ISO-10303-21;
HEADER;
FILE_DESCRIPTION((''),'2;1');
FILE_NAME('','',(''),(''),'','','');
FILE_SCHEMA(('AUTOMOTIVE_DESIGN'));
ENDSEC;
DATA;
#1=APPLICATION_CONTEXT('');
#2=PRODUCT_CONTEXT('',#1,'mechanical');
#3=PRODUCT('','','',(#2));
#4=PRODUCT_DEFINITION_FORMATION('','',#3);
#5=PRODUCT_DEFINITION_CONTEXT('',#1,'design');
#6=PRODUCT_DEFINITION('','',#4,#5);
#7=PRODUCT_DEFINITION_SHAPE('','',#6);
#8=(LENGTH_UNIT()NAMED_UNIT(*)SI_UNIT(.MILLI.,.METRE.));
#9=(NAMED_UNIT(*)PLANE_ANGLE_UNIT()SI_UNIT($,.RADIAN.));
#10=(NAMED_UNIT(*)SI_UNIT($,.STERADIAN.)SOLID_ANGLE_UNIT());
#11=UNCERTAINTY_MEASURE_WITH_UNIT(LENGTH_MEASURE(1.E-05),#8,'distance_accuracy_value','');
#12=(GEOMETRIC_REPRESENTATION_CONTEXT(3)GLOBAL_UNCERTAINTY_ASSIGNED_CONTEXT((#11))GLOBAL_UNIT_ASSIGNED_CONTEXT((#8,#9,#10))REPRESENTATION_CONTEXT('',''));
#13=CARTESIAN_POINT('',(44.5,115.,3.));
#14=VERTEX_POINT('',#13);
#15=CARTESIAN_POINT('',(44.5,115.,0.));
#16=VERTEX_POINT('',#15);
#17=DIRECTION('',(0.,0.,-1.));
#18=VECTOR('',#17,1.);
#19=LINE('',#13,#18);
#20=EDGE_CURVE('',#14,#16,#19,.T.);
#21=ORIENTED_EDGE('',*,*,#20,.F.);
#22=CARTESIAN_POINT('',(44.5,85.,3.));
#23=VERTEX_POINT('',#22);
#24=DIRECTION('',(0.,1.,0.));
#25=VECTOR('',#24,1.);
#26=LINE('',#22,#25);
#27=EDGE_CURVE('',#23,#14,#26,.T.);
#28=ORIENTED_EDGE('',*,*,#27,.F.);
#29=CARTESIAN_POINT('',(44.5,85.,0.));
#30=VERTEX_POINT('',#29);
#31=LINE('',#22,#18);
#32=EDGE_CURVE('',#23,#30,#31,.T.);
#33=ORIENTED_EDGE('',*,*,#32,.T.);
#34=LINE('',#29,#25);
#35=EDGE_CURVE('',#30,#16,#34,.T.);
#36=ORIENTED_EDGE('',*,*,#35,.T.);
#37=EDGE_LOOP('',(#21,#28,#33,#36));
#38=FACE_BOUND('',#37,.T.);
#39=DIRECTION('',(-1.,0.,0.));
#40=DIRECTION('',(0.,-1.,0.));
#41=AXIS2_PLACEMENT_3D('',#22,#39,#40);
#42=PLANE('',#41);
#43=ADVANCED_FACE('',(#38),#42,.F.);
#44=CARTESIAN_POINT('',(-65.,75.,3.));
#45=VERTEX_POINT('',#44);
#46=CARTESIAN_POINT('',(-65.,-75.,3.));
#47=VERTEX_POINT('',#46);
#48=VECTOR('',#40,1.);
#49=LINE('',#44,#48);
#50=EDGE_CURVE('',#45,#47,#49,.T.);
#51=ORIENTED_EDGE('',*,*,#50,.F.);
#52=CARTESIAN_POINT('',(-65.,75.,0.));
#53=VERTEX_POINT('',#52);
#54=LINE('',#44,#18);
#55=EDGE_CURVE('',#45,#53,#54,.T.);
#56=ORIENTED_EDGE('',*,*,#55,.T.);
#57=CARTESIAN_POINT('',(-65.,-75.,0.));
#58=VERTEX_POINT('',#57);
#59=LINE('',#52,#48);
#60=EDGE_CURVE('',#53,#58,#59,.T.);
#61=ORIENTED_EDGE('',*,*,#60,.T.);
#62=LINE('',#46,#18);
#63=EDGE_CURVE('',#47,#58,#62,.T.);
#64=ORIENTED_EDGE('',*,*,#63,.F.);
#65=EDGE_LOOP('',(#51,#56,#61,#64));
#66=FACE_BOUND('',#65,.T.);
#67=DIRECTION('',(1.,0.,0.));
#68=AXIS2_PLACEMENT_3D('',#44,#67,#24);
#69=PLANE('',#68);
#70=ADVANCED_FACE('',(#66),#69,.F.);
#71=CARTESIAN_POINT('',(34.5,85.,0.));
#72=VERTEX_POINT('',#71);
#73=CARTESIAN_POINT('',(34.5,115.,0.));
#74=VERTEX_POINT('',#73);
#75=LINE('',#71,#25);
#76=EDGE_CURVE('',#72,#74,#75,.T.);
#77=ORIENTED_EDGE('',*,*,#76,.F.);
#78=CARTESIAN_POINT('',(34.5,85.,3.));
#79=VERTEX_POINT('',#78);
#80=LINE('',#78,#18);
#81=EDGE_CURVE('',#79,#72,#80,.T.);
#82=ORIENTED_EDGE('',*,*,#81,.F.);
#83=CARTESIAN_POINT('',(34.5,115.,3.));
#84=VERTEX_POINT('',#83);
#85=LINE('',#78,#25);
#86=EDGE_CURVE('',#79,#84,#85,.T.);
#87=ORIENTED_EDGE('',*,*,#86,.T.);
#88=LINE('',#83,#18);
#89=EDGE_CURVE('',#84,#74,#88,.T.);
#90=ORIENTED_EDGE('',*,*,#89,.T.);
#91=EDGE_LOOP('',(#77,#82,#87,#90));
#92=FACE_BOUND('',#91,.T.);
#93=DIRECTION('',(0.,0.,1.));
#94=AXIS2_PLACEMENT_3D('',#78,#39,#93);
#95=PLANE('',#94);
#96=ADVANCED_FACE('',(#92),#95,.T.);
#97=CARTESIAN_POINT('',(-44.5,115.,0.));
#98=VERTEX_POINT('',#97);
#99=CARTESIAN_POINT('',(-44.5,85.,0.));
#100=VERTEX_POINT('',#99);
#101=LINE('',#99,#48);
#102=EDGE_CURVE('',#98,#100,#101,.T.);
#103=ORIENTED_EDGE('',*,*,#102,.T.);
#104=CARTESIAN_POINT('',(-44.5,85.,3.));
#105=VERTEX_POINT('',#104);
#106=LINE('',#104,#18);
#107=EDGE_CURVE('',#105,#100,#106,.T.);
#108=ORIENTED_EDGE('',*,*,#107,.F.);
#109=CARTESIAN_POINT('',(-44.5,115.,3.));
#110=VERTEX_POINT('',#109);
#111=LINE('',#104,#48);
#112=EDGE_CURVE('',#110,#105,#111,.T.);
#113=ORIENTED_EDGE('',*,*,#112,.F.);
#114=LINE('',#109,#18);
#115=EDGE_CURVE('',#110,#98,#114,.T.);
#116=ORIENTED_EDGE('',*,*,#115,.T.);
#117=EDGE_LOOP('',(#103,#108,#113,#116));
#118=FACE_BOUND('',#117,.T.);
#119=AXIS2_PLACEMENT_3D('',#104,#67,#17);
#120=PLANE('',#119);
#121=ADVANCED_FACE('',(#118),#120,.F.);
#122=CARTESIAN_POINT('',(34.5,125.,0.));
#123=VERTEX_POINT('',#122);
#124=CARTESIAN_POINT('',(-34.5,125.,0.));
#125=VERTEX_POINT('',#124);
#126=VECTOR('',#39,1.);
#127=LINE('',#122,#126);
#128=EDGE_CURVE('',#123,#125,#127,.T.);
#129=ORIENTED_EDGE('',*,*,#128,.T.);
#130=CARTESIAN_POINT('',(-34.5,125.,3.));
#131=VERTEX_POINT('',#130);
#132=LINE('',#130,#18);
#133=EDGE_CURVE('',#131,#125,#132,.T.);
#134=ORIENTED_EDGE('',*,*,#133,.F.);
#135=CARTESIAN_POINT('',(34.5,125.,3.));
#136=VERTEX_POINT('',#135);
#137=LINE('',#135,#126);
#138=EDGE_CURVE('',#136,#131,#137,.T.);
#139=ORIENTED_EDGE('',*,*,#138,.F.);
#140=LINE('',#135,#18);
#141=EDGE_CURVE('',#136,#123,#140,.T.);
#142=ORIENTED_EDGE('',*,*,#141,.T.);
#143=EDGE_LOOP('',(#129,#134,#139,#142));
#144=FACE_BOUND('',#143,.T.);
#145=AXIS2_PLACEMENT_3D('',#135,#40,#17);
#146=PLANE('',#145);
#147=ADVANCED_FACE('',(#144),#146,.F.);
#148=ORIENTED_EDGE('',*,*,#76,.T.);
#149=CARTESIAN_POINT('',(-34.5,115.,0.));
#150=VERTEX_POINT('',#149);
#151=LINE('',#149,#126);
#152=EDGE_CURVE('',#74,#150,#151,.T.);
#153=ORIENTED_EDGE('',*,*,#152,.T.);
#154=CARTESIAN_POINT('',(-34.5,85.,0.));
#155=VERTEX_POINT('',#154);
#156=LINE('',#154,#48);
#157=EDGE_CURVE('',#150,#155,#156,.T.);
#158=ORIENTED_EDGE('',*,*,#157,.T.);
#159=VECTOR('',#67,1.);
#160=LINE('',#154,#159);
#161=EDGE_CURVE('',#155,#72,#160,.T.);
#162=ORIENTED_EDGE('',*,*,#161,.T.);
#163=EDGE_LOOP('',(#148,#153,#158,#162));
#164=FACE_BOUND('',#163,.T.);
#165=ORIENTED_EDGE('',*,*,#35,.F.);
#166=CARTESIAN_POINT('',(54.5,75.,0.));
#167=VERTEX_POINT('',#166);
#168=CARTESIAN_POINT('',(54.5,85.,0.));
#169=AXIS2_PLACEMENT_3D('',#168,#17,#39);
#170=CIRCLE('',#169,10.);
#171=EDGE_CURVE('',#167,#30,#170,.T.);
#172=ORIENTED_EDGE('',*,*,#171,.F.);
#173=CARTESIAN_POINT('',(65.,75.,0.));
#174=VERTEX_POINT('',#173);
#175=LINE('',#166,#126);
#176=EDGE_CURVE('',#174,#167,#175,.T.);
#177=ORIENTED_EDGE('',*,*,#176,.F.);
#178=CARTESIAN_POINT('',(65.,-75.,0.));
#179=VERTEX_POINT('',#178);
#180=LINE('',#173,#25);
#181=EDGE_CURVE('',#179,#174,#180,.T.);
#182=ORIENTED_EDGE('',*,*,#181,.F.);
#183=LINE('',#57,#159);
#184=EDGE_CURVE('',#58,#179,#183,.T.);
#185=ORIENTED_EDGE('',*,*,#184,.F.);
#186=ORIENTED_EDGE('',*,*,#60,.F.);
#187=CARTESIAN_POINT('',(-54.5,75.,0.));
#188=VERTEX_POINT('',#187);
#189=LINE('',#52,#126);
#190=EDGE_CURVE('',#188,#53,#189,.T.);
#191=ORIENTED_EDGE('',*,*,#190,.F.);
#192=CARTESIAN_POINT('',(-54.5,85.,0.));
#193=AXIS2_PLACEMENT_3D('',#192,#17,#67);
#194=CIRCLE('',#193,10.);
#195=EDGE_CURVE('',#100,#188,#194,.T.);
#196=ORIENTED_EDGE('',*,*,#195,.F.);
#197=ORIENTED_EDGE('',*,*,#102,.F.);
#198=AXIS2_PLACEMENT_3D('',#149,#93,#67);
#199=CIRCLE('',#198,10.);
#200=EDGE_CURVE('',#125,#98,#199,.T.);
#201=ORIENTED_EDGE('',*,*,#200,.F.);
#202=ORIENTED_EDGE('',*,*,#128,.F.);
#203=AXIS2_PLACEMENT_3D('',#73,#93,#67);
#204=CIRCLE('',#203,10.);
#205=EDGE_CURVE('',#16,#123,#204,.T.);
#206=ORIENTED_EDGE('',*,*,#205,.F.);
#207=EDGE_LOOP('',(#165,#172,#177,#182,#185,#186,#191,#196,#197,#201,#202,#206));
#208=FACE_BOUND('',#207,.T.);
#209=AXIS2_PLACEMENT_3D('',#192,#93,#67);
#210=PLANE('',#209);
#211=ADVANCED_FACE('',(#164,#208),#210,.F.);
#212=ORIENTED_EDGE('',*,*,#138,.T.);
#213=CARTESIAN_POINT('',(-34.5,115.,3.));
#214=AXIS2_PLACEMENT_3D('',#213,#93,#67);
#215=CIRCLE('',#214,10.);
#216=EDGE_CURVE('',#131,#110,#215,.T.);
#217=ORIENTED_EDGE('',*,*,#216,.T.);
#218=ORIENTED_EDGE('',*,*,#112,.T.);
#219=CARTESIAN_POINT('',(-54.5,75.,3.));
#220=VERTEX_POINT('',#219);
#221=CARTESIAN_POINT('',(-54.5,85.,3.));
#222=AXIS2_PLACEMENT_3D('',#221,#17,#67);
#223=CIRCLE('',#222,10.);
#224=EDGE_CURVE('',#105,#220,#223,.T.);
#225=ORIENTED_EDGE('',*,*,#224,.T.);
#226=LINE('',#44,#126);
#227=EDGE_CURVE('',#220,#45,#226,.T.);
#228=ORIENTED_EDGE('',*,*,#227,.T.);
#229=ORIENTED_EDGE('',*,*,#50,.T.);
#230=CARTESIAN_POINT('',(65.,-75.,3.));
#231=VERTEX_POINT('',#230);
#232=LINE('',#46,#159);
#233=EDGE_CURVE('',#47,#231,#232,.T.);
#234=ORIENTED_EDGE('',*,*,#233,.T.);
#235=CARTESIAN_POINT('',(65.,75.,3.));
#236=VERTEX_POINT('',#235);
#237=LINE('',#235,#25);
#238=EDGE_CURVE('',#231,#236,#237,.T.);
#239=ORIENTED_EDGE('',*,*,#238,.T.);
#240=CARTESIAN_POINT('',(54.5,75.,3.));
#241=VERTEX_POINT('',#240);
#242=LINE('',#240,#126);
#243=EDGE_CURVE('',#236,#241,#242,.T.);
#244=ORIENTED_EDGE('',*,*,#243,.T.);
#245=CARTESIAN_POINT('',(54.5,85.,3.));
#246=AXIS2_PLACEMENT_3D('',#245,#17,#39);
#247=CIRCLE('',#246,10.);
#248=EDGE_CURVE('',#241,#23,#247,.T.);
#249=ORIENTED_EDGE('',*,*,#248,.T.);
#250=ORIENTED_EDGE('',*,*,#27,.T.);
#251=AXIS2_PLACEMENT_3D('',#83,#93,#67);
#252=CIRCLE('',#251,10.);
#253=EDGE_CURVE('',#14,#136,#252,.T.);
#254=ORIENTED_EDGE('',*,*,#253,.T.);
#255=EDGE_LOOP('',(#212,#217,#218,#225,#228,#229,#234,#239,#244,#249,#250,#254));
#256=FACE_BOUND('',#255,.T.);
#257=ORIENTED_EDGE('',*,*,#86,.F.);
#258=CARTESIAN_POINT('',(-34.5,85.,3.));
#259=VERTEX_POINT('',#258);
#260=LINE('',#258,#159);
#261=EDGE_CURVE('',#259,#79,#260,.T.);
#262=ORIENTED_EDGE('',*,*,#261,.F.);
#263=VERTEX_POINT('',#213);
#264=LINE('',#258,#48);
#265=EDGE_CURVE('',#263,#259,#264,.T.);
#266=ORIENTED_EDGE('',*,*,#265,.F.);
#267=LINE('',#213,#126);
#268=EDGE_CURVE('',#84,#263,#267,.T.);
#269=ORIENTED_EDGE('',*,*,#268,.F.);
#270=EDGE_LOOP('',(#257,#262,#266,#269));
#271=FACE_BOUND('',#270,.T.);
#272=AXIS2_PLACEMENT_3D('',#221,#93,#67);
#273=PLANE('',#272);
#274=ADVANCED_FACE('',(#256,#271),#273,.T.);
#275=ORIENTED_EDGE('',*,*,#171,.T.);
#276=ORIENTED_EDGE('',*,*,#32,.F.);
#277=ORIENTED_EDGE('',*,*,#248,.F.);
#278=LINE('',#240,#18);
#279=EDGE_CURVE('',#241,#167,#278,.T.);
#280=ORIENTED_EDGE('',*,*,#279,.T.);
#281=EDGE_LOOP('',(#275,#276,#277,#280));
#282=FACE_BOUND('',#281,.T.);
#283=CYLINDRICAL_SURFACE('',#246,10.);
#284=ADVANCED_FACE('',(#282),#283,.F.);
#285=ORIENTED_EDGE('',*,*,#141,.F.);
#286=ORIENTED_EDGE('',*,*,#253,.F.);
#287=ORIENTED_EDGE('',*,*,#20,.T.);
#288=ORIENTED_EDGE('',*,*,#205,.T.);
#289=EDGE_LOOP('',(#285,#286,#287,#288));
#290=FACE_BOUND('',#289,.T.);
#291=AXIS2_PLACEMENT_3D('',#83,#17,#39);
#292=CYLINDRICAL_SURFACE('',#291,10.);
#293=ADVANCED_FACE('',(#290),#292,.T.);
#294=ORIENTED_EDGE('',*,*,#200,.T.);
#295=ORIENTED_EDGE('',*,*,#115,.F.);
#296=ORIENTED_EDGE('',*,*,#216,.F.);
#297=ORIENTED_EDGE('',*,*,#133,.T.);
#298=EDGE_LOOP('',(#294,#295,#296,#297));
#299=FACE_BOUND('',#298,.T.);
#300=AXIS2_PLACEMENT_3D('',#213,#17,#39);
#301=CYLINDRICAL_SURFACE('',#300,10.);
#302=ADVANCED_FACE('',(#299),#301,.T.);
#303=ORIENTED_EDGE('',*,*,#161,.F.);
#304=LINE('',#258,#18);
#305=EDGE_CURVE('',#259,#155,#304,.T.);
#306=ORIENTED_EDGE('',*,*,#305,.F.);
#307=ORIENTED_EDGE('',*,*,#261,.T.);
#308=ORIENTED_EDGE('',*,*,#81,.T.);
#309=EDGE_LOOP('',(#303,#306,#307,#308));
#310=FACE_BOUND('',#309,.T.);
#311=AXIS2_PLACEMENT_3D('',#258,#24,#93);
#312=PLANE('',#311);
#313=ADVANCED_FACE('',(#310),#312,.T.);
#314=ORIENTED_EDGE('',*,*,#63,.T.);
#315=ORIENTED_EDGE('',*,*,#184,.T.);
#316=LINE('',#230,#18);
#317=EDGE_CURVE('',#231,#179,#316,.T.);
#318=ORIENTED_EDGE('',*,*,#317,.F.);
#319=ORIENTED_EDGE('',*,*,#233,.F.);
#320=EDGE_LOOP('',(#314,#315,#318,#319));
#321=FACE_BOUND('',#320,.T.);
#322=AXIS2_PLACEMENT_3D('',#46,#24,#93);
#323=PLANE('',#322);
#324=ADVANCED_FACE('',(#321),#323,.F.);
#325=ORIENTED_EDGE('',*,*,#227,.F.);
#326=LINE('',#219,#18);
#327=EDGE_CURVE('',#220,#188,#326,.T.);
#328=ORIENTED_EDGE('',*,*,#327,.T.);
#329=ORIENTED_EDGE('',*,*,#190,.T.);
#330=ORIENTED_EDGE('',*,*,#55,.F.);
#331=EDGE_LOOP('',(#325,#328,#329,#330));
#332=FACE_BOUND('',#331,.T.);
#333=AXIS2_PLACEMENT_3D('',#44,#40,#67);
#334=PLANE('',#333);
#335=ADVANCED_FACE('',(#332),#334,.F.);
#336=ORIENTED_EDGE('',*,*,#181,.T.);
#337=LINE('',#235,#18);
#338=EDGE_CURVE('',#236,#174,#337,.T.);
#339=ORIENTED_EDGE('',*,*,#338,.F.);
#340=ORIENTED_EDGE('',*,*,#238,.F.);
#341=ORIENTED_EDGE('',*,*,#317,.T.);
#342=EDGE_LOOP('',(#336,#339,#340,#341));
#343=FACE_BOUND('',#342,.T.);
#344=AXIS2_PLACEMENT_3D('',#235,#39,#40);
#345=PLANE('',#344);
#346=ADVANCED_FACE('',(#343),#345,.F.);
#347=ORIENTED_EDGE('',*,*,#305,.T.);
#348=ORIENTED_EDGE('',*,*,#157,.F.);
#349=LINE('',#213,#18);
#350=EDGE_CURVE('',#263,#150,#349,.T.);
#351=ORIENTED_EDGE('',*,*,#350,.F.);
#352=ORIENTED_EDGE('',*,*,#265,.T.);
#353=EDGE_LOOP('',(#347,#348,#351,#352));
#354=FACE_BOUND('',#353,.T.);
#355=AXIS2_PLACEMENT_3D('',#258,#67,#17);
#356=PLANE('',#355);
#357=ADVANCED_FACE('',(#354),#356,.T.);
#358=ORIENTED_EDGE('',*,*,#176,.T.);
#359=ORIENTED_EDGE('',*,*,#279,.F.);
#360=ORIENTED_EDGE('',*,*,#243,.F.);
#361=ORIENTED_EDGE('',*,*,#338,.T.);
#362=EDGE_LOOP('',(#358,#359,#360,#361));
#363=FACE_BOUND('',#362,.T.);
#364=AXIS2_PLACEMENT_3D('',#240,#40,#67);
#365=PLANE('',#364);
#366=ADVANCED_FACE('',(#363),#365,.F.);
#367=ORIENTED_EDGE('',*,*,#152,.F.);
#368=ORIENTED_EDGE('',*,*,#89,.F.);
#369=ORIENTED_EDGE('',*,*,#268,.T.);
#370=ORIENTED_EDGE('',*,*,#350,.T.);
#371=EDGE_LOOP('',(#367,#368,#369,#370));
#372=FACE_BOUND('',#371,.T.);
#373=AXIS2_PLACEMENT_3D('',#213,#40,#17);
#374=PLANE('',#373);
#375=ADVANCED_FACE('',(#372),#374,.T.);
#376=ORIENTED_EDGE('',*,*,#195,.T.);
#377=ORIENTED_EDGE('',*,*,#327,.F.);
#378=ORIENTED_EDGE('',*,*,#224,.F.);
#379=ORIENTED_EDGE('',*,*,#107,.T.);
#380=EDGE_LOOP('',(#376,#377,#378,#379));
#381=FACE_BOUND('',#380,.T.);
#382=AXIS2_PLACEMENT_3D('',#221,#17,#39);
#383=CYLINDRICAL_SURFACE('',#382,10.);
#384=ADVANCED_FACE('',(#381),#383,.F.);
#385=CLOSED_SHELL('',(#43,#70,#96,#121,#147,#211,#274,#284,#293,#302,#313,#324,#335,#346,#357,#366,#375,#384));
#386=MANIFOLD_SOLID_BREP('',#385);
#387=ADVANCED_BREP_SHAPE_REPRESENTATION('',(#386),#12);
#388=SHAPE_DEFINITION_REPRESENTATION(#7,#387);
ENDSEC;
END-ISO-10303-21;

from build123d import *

# Parameters (mm, degrees)
SKETCH1_W           = 69
SKETCH1_H           = 30
BOSS_EXTRUDE1_DEPTH = 3


with BuildPart() as part:
    # Sketch1 → Boss-Extrude1 (new body)
    with BuildSketch(Plane.XY):
        with BuildLine():
            Line((-65, 75), (-54.5, 75))
            ThreePointArc((-54.5, 75), (-47.428932188, 77.928932188), (-44.5, 85))
            Line((-44.5, 85), (-44.5, 115))
            ThreePointArc((-44.5, 115), (-41.571067812, 122.071067812), (-34.5, 125))
            Line((-34.5, 125), (34.5, 125))
            ThreePointArc((34.5, 125), (41.571067812, 122.071067812), (44.5, 115))
            Line((44.5, 115), (44.5, 85))
            ThreePointArc((44.5, 85), (47.428932188, 77.928932188), (54.5, 75))
            Line((54.5, 75), (65, 75))
            Line((65, 75), (65, -75))
            Line((65, -75), (-65, -75))
            Line((-65, -75), (-65, 75))
        make_face()
        with Locations((0, 100)):
            Rectangle(SKETCH1_W, SKETCH1_H, mode=Mode.SUBTRACT)
    extrude(amount=BOSS_EXTRUDE1_DEPTH)


solid = part.part
